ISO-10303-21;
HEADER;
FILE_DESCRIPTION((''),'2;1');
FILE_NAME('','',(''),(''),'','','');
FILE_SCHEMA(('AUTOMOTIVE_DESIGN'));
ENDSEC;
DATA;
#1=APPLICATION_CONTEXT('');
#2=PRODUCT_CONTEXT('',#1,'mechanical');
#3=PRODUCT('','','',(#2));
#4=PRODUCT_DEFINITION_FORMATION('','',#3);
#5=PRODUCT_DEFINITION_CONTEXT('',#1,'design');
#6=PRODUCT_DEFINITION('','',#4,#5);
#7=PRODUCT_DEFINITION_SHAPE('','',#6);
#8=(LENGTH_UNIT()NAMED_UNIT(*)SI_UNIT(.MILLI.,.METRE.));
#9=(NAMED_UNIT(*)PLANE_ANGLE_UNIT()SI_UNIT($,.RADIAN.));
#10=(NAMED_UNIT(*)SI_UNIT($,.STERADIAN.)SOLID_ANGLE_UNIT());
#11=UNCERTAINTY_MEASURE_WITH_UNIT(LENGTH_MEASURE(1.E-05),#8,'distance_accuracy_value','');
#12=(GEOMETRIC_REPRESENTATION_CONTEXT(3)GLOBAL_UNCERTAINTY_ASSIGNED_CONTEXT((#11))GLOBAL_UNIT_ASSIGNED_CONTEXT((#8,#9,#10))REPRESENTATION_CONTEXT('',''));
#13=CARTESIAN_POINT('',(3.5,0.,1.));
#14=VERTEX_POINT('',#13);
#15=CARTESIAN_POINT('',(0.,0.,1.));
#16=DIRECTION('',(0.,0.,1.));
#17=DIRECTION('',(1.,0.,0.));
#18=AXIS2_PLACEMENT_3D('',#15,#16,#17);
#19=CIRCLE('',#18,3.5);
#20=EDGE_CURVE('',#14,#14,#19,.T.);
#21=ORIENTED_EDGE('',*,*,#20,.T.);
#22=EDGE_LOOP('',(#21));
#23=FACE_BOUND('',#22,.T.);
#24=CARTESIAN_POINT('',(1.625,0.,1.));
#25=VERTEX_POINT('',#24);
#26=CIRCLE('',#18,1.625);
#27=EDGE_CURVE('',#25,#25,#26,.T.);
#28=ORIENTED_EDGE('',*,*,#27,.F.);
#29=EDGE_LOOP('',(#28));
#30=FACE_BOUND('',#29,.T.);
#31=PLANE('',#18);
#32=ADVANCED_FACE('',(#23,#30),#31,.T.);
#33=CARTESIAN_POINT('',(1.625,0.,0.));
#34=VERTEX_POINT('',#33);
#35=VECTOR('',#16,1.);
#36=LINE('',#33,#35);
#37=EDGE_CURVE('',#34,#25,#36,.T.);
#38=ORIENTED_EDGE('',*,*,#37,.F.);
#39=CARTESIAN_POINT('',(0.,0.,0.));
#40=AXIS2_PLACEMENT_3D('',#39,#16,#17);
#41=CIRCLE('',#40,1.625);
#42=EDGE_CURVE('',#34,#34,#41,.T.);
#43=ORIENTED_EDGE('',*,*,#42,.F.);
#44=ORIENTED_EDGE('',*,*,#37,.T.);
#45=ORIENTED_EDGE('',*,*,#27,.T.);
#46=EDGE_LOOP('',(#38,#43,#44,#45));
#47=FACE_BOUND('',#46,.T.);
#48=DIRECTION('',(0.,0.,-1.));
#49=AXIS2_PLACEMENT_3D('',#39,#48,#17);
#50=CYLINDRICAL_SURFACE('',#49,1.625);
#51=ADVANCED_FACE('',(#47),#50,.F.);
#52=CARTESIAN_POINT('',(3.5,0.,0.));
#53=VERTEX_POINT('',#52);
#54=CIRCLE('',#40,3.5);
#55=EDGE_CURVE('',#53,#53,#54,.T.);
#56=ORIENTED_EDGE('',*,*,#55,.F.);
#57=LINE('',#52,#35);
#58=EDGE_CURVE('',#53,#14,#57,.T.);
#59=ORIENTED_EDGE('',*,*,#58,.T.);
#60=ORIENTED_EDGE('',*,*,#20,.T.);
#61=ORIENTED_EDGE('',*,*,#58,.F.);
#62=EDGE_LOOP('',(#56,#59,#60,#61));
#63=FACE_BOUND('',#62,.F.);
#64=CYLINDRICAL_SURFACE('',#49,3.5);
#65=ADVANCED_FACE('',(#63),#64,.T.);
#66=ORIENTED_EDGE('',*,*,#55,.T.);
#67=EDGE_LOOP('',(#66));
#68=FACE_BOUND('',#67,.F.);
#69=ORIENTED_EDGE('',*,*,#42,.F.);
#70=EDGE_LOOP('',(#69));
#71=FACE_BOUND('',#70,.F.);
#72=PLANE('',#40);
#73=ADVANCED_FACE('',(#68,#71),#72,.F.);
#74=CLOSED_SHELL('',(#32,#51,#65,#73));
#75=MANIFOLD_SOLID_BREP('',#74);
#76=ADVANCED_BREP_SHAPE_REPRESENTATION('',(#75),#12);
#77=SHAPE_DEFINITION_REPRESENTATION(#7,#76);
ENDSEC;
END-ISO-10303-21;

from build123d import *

# Parameters (mm, degrees)
SKETCH_R   = 3.5
SKETCH_R_2 = 1.625
PAD_DEPTH  = 1


with BuildPart() as part:
    # Sketch → Pad (new body)
    with BuildSketch(Plane.XY):
        Circle(SKETCH_R)
        Circle(SKETCH_R_2, mode=Mode.SUBTRACT)
    extrude(amount=PAD_DEPTH)


solid = part.part
